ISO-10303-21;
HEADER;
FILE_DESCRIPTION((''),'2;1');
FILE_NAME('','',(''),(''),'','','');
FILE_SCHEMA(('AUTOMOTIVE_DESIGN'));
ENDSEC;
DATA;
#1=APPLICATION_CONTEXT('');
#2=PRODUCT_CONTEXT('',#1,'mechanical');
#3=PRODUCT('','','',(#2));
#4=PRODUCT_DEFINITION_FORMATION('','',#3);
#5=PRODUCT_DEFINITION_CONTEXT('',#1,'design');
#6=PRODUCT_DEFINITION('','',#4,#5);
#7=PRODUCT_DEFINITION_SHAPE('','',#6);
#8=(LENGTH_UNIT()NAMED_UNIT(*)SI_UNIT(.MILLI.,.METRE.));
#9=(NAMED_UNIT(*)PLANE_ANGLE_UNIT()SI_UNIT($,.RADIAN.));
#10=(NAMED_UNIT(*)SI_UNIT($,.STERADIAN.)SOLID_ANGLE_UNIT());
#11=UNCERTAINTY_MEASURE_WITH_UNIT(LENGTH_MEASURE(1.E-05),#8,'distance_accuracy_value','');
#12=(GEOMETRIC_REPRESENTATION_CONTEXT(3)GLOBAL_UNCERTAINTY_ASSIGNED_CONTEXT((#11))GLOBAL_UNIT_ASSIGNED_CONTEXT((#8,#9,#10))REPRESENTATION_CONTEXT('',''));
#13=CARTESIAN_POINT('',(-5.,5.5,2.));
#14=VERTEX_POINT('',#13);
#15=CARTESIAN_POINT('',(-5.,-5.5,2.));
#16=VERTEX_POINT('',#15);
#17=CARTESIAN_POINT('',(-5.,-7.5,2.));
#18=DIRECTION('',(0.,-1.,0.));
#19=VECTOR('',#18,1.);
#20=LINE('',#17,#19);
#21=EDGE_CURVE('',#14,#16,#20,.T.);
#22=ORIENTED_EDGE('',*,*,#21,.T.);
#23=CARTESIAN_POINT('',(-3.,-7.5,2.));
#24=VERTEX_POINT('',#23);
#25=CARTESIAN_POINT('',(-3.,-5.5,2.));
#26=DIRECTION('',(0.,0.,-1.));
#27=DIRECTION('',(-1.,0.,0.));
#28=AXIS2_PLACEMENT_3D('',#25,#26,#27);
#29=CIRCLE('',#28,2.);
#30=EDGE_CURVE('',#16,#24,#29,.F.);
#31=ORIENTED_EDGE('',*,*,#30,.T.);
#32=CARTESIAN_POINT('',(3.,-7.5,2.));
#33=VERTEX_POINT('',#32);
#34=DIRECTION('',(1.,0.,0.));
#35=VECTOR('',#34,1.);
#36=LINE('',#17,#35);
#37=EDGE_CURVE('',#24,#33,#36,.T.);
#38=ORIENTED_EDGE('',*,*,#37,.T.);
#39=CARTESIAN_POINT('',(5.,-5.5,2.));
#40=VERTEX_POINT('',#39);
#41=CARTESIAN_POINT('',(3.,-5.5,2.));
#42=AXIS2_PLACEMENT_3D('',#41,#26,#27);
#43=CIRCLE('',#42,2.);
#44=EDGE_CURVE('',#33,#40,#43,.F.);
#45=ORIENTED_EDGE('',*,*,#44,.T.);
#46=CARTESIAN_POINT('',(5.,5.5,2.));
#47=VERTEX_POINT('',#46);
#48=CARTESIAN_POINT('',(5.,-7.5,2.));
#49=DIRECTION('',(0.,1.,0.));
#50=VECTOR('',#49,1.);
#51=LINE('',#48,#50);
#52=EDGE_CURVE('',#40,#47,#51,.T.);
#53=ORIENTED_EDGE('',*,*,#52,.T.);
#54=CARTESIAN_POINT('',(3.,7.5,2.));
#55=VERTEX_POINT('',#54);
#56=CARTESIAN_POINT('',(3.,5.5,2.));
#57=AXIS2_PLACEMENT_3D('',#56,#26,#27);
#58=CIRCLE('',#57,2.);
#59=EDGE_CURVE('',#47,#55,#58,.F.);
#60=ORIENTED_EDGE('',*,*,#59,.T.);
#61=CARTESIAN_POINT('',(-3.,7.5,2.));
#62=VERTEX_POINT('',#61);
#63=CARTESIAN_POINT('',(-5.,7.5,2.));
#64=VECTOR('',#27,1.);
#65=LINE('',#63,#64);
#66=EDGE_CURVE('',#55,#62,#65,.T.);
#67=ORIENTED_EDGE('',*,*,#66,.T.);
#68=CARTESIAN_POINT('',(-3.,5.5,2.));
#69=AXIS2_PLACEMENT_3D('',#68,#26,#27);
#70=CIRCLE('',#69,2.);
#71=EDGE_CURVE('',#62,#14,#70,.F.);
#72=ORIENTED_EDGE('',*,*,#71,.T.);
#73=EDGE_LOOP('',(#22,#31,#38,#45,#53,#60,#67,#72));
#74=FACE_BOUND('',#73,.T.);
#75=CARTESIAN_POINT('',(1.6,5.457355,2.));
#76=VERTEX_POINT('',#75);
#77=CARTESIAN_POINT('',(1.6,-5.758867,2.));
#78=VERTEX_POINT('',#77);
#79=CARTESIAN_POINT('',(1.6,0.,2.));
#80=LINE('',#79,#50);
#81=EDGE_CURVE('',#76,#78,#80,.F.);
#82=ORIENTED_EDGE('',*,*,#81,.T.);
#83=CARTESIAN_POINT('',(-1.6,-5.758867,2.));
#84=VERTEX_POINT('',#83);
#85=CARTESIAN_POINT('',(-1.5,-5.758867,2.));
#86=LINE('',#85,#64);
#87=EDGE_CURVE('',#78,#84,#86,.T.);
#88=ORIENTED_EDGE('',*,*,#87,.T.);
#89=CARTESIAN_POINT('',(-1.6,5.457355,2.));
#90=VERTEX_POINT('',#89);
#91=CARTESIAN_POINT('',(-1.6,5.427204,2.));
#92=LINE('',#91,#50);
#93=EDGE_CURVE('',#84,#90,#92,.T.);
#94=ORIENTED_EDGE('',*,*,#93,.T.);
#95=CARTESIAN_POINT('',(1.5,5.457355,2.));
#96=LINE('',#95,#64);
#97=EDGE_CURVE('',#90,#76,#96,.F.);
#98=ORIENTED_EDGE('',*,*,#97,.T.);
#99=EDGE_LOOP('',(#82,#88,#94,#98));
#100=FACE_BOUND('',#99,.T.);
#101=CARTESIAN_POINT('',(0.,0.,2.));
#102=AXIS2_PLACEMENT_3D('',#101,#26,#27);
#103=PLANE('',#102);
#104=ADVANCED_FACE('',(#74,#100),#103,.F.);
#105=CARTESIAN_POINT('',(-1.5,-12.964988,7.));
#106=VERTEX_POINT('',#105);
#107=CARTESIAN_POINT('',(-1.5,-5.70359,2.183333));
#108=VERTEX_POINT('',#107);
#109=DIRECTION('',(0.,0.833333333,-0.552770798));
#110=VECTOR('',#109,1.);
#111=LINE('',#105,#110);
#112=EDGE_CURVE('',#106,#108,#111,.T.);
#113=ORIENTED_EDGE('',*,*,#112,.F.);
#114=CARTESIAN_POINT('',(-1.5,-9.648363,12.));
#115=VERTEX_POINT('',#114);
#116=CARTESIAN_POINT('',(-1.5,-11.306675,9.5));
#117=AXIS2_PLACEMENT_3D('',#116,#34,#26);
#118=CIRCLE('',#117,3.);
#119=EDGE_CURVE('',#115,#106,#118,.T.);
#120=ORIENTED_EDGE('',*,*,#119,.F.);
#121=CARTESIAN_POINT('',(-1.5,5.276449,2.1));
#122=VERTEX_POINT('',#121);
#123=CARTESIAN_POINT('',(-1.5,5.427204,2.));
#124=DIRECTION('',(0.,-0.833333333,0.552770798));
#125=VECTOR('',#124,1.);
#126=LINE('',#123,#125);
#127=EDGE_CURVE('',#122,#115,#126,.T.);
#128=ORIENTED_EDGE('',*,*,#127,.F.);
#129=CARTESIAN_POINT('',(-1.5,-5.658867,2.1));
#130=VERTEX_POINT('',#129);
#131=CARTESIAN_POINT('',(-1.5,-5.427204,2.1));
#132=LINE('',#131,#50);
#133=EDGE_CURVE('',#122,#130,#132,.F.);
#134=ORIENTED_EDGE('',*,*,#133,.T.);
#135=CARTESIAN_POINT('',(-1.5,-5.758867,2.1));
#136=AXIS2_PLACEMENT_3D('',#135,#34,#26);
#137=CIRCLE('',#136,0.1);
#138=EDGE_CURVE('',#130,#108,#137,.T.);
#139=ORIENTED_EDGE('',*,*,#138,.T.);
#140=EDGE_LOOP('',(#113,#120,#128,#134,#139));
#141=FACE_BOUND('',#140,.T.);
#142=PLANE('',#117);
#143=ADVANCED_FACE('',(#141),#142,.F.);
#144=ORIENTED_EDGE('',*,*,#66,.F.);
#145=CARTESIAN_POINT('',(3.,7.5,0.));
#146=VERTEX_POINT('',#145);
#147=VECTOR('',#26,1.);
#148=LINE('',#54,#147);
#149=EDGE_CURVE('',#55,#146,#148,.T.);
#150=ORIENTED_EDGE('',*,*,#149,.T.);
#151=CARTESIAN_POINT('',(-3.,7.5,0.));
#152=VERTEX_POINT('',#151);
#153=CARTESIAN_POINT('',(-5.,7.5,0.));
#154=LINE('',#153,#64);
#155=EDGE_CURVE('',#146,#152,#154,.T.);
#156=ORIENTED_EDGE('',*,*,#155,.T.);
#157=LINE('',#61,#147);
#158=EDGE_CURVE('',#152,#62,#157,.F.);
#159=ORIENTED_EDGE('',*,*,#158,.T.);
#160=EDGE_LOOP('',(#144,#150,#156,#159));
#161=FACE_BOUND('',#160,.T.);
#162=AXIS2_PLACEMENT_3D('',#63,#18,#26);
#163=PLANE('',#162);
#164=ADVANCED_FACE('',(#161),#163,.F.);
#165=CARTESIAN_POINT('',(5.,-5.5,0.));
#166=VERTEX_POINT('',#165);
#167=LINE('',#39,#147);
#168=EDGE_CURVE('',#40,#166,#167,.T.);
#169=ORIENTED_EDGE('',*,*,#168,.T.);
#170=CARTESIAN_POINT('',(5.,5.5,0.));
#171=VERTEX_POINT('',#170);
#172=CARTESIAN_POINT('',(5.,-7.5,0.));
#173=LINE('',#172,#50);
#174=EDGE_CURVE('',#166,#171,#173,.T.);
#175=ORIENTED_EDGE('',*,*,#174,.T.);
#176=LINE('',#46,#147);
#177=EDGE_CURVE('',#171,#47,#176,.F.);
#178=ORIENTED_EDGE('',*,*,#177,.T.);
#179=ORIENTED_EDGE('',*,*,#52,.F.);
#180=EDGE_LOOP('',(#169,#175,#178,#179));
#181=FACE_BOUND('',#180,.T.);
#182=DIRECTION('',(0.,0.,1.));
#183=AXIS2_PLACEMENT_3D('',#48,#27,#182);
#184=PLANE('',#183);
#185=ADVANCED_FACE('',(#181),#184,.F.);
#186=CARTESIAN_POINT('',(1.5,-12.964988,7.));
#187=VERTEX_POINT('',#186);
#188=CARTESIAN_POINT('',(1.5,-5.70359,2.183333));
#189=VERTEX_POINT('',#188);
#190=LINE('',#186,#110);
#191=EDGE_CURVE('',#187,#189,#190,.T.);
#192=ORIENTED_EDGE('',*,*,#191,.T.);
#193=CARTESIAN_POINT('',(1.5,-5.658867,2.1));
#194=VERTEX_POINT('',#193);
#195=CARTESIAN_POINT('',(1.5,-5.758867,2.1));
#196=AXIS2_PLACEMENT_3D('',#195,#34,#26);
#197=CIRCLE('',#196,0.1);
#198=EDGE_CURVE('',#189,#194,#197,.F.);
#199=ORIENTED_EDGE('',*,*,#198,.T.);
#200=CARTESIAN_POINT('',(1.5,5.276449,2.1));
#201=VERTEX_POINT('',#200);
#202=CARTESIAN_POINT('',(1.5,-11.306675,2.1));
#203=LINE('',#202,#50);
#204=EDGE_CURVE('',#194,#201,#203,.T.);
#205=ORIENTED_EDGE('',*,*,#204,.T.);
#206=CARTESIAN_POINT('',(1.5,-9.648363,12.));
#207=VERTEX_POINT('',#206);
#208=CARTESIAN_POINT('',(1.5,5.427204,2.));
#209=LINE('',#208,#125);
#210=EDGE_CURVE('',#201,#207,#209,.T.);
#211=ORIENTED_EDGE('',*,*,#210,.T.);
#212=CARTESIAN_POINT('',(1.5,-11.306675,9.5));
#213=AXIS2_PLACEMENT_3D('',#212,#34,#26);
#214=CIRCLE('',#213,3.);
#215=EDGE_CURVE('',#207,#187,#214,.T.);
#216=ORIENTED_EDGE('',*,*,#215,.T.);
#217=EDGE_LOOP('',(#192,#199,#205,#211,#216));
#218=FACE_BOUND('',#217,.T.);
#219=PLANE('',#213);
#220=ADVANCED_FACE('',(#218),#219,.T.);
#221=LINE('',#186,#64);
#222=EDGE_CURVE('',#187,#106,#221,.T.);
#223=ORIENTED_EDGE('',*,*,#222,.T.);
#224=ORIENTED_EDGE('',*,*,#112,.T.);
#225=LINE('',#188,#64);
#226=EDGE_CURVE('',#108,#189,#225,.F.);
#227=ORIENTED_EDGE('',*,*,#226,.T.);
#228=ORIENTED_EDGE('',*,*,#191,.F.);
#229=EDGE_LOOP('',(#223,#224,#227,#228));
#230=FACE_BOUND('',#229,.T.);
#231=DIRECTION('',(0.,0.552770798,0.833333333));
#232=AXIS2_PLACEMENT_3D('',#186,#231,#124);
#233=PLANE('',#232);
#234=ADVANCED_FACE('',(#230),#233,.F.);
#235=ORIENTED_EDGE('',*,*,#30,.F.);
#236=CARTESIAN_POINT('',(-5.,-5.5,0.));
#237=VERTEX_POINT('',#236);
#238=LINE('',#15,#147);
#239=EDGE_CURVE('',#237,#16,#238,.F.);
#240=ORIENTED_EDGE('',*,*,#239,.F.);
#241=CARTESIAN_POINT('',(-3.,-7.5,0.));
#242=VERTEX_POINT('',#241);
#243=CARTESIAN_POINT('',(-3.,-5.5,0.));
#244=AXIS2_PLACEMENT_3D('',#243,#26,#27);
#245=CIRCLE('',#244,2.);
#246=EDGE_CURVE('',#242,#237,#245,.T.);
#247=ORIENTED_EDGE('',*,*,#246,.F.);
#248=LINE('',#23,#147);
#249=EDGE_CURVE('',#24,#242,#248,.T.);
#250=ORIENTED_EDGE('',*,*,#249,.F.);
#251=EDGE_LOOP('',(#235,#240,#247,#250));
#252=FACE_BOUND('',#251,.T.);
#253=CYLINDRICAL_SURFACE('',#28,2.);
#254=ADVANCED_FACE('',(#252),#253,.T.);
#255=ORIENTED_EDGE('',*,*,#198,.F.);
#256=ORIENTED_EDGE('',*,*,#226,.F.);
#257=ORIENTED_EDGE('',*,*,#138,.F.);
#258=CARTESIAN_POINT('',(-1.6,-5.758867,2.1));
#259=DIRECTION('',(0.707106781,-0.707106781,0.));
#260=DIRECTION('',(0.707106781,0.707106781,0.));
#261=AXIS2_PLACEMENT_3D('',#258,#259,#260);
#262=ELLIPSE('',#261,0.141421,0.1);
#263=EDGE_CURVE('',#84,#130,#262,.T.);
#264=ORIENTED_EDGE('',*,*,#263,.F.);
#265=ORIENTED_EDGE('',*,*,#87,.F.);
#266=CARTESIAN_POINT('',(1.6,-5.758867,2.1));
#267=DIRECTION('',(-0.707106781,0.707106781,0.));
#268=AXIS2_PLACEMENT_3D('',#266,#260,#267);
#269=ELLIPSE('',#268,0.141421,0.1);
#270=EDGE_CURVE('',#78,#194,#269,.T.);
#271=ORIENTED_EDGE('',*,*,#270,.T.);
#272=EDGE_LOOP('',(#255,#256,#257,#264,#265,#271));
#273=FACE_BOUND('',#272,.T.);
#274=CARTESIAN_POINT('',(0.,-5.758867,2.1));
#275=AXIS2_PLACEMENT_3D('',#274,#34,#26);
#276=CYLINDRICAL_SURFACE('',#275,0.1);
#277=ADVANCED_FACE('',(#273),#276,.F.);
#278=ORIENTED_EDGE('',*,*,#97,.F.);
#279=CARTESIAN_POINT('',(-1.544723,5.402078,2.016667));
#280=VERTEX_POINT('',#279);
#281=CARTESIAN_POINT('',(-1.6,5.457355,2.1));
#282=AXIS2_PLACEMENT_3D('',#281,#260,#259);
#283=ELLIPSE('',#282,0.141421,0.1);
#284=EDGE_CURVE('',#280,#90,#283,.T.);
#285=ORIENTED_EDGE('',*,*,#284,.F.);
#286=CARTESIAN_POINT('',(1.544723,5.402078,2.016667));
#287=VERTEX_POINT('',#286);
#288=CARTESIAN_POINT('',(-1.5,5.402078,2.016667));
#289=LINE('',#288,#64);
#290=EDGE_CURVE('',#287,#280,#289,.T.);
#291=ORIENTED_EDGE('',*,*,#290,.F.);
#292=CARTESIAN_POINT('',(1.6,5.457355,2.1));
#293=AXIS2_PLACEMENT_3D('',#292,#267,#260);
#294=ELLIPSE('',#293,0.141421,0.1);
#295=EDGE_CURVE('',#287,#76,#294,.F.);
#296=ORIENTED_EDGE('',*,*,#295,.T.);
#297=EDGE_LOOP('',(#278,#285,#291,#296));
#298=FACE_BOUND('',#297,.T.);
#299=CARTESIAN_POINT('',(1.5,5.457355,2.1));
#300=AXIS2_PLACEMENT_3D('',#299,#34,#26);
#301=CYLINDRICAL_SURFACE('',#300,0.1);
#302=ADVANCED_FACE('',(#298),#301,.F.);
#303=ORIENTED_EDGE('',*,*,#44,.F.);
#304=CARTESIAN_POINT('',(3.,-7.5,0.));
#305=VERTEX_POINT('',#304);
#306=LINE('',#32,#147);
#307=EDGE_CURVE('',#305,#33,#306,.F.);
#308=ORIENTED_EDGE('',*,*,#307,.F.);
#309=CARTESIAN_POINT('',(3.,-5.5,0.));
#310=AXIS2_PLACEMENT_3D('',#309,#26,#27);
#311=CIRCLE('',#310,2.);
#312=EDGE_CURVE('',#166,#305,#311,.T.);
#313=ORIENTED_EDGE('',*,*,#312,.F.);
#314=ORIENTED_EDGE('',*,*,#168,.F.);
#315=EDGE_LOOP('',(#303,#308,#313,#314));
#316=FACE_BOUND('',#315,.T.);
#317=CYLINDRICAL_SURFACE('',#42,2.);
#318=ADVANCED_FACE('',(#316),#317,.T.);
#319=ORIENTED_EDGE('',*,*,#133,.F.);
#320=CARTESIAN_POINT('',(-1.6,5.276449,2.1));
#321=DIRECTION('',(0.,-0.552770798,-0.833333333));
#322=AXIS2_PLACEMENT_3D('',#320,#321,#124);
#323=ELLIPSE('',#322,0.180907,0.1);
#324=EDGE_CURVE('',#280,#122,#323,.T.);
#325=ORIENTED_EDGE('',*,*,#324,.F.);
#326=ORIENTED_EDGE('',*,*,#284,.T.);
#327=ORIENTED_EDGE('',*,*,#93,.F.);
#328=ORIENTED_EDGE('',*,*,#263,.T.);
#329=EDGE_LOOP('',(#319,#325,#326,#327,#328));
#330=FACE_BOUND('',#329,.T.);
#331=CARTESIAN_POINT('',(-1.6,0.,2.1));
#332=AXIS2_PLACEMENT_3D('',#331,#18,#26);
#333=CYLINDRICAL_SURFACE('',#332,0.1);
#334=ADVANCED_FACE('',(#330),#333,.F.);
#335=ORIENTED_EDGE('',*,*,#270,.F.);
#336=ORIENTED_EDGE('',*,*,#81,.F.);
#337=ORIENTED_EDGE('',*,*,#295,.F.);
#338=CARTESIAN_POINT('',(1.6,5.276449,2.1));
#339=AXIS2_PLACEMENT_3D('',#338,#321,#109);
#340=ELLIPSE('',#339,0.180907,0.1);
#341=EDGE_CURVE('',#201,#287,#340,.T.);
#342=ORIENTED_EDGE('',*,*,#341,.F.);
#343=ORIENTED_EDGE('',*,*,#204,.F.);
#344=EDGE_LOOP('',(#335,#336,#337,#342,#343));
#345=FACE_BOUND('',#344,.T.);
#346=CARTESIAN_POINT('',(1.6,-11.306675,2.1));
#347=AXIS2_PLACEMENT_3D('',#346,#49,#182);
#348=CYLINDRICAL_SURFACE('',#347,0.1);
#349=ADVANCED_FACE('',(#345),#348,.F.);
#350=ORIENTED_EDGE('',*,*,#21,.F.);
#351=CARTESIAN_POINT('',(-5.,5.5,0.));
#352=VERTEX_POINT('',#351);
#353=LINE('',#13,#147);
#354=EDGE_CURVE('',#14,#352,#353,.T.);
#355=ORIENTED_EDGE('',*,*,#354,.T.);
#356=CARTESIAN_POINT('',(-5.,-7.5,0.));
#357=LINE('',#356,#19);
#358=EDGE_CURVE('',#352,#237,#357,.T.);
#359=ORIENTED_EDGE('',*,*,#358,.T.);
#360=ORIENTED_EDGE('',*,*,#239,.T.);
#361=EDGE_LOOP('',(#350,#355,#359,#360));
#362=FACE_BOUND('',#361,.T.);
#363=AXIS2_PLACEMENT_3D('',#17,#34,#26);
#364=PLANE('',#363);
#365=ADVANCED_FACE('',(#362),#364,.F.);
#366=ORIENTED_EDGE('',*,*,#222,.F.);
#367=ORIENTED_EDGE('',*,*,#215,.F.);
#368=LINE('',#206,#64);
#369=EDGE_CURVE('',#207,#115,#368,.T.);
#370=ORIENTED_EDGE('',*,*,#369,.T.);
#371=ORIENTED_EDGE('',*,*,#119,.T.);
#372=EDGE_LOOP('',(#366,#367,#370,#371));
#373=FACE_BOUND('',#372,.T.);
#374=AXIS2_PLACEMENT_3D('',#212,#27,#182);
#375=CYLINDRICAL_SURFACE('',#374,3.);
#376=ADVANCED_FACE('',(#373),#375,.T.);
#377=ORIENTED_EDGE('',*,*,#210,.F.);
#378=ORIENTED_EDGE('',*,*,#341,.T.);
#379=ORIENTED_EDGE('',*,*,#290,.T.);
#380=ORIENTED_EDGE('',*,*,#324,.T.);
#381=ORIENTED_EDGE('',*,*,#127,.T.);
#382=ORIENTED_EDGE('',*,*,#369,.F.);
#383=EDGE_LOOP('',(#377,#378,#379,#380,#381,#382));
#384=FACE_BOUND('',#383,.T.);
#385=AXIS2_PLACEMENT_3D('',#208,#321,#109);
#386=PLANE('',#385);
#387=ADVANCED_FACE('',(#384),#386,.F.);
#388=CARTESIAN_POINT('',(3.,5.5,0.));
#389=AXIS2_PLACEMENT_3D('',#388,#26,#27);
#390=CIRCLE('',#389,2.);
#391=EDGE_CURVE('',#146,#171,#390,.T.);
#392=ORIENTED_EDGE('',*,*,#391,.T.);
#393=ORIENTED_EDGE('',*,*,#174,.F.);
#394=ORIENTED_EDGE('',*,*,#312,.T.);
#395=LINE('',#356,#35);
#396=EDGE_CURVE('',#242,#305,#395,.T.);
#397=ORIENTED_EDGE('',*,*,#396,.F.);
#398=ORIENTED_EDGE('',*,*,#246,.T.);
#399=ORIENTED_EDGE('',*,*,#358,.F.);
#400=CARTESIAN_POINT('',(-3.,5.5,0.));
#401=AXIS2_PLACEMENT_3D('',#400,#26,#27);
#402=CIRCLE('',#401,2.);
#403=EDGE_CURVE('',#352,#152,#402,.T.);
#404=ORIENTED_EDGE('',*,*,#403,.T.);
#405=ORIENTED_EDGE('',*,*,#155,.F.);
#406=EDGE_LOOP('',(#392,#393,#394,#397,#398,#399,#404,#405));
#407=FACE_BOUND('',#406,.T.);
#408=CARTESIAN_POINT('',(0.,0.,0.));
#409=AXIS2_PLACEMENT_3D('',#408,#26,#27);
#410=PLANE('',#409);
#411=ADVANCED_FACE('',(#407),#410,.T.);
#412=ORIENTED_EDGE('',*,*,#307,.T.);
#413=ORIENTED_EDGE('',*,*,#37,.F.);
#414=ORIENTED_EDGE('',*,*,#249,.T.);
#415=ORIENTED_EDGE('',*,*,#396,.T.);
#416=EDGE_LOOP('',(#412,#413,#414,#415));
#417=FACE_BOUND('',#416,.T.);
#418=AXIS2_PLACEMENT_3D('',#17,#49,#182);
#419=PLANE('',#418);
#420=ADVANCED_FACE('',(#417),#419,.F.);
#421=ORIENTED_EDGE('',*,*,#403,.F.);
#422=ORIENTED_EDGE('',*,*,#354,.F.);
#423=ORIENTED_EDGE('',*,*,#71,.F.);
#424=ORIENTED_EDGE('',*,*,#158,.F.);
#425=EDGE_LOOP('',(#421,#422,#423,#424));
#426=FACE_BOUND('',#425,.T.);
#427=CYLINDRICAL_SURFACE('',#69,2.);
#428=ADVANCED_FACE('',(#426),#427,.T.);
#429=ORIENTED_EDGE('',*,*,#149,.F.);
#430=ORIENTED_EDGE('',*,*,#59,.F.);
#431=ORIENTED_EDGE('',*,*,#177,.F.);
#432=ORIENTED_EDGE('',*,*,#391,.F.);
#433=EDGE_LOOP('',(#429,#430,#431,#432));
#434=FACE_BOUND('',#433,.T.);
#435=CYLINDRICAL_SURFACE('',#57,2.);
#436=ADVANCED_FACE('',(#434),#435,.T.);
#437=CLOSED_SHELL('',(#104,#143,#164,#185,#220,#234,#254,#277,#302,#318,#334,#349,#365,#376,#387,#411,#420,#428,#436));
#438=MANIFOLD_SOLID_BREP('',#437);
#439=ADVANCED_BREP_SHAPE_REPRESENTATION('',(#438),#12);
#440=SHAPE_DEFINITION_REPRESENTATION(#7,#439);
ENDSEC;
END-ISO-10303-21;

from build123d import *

# Parameters (mm, degrees)
SKETCH1_W           = 10
SKETCH1_H           = 15
BOSS_EXTRUDE1_DEPTH = 2
BOSS_EXTRUDE2_DEPTH = 1.5
FILLET1_R           = 2
FILLET2_R           = 0.1


with BuildPart() as part:
    # Sketch1 → Boss-Extrude1 (new body)
    with BuildSketch(Plane.XY):
        Rectangle(SKETCH1_W, SKETCH1_H)
    extrude(amount=BOSS_EXTRUDE1_DEPTH)

    # Sketch3 → Boss-Extrude2 (add, symmetric)
    with BuildSketch(Plane(origin=(0, 0, 0), x_dir=(0, 0, -1), z_dir=(1, 0, 0))):
        with BuildLine():
            Line((-2, 5.427204202), (-12, -9.648363026))
            ThreePointArc((-12, -9.648363026), (-11.158312395, -13.806675422), (-7, -12.964987817))
            Line((-7, -12.964987817), (-2, -5.427204202))
            Line((-2, -5.427204202), (-2, 5.427204202))
        make_face()
    extrude(amount=BOSS_EXTRUDE2_DEPTH, both=True)

    # Fillet1
    fillet1_edges = [part.edges().sort_by_distance(p)[0] for p in [
        (5, -7.5, 1),
        (-5, -7.5, 1),
        (-5, 7.5, 1),
        (5, 7.5, 1),
    ]]
    fillet(fillet1_edges, radius=FILLET1_R)

    # Fillet2
    fillet2_edges = [part.edges().sort_by_distance(p)[0] for p in [
        (-1.5, 0, 2),
        (0, -5.427204202, 2),
        (0, 5.427204202, 2),
        (1.5, 0, 2),
    ]]
    fillet(fillet2_edges, radius=FILLET2_R)


solid = part.part
